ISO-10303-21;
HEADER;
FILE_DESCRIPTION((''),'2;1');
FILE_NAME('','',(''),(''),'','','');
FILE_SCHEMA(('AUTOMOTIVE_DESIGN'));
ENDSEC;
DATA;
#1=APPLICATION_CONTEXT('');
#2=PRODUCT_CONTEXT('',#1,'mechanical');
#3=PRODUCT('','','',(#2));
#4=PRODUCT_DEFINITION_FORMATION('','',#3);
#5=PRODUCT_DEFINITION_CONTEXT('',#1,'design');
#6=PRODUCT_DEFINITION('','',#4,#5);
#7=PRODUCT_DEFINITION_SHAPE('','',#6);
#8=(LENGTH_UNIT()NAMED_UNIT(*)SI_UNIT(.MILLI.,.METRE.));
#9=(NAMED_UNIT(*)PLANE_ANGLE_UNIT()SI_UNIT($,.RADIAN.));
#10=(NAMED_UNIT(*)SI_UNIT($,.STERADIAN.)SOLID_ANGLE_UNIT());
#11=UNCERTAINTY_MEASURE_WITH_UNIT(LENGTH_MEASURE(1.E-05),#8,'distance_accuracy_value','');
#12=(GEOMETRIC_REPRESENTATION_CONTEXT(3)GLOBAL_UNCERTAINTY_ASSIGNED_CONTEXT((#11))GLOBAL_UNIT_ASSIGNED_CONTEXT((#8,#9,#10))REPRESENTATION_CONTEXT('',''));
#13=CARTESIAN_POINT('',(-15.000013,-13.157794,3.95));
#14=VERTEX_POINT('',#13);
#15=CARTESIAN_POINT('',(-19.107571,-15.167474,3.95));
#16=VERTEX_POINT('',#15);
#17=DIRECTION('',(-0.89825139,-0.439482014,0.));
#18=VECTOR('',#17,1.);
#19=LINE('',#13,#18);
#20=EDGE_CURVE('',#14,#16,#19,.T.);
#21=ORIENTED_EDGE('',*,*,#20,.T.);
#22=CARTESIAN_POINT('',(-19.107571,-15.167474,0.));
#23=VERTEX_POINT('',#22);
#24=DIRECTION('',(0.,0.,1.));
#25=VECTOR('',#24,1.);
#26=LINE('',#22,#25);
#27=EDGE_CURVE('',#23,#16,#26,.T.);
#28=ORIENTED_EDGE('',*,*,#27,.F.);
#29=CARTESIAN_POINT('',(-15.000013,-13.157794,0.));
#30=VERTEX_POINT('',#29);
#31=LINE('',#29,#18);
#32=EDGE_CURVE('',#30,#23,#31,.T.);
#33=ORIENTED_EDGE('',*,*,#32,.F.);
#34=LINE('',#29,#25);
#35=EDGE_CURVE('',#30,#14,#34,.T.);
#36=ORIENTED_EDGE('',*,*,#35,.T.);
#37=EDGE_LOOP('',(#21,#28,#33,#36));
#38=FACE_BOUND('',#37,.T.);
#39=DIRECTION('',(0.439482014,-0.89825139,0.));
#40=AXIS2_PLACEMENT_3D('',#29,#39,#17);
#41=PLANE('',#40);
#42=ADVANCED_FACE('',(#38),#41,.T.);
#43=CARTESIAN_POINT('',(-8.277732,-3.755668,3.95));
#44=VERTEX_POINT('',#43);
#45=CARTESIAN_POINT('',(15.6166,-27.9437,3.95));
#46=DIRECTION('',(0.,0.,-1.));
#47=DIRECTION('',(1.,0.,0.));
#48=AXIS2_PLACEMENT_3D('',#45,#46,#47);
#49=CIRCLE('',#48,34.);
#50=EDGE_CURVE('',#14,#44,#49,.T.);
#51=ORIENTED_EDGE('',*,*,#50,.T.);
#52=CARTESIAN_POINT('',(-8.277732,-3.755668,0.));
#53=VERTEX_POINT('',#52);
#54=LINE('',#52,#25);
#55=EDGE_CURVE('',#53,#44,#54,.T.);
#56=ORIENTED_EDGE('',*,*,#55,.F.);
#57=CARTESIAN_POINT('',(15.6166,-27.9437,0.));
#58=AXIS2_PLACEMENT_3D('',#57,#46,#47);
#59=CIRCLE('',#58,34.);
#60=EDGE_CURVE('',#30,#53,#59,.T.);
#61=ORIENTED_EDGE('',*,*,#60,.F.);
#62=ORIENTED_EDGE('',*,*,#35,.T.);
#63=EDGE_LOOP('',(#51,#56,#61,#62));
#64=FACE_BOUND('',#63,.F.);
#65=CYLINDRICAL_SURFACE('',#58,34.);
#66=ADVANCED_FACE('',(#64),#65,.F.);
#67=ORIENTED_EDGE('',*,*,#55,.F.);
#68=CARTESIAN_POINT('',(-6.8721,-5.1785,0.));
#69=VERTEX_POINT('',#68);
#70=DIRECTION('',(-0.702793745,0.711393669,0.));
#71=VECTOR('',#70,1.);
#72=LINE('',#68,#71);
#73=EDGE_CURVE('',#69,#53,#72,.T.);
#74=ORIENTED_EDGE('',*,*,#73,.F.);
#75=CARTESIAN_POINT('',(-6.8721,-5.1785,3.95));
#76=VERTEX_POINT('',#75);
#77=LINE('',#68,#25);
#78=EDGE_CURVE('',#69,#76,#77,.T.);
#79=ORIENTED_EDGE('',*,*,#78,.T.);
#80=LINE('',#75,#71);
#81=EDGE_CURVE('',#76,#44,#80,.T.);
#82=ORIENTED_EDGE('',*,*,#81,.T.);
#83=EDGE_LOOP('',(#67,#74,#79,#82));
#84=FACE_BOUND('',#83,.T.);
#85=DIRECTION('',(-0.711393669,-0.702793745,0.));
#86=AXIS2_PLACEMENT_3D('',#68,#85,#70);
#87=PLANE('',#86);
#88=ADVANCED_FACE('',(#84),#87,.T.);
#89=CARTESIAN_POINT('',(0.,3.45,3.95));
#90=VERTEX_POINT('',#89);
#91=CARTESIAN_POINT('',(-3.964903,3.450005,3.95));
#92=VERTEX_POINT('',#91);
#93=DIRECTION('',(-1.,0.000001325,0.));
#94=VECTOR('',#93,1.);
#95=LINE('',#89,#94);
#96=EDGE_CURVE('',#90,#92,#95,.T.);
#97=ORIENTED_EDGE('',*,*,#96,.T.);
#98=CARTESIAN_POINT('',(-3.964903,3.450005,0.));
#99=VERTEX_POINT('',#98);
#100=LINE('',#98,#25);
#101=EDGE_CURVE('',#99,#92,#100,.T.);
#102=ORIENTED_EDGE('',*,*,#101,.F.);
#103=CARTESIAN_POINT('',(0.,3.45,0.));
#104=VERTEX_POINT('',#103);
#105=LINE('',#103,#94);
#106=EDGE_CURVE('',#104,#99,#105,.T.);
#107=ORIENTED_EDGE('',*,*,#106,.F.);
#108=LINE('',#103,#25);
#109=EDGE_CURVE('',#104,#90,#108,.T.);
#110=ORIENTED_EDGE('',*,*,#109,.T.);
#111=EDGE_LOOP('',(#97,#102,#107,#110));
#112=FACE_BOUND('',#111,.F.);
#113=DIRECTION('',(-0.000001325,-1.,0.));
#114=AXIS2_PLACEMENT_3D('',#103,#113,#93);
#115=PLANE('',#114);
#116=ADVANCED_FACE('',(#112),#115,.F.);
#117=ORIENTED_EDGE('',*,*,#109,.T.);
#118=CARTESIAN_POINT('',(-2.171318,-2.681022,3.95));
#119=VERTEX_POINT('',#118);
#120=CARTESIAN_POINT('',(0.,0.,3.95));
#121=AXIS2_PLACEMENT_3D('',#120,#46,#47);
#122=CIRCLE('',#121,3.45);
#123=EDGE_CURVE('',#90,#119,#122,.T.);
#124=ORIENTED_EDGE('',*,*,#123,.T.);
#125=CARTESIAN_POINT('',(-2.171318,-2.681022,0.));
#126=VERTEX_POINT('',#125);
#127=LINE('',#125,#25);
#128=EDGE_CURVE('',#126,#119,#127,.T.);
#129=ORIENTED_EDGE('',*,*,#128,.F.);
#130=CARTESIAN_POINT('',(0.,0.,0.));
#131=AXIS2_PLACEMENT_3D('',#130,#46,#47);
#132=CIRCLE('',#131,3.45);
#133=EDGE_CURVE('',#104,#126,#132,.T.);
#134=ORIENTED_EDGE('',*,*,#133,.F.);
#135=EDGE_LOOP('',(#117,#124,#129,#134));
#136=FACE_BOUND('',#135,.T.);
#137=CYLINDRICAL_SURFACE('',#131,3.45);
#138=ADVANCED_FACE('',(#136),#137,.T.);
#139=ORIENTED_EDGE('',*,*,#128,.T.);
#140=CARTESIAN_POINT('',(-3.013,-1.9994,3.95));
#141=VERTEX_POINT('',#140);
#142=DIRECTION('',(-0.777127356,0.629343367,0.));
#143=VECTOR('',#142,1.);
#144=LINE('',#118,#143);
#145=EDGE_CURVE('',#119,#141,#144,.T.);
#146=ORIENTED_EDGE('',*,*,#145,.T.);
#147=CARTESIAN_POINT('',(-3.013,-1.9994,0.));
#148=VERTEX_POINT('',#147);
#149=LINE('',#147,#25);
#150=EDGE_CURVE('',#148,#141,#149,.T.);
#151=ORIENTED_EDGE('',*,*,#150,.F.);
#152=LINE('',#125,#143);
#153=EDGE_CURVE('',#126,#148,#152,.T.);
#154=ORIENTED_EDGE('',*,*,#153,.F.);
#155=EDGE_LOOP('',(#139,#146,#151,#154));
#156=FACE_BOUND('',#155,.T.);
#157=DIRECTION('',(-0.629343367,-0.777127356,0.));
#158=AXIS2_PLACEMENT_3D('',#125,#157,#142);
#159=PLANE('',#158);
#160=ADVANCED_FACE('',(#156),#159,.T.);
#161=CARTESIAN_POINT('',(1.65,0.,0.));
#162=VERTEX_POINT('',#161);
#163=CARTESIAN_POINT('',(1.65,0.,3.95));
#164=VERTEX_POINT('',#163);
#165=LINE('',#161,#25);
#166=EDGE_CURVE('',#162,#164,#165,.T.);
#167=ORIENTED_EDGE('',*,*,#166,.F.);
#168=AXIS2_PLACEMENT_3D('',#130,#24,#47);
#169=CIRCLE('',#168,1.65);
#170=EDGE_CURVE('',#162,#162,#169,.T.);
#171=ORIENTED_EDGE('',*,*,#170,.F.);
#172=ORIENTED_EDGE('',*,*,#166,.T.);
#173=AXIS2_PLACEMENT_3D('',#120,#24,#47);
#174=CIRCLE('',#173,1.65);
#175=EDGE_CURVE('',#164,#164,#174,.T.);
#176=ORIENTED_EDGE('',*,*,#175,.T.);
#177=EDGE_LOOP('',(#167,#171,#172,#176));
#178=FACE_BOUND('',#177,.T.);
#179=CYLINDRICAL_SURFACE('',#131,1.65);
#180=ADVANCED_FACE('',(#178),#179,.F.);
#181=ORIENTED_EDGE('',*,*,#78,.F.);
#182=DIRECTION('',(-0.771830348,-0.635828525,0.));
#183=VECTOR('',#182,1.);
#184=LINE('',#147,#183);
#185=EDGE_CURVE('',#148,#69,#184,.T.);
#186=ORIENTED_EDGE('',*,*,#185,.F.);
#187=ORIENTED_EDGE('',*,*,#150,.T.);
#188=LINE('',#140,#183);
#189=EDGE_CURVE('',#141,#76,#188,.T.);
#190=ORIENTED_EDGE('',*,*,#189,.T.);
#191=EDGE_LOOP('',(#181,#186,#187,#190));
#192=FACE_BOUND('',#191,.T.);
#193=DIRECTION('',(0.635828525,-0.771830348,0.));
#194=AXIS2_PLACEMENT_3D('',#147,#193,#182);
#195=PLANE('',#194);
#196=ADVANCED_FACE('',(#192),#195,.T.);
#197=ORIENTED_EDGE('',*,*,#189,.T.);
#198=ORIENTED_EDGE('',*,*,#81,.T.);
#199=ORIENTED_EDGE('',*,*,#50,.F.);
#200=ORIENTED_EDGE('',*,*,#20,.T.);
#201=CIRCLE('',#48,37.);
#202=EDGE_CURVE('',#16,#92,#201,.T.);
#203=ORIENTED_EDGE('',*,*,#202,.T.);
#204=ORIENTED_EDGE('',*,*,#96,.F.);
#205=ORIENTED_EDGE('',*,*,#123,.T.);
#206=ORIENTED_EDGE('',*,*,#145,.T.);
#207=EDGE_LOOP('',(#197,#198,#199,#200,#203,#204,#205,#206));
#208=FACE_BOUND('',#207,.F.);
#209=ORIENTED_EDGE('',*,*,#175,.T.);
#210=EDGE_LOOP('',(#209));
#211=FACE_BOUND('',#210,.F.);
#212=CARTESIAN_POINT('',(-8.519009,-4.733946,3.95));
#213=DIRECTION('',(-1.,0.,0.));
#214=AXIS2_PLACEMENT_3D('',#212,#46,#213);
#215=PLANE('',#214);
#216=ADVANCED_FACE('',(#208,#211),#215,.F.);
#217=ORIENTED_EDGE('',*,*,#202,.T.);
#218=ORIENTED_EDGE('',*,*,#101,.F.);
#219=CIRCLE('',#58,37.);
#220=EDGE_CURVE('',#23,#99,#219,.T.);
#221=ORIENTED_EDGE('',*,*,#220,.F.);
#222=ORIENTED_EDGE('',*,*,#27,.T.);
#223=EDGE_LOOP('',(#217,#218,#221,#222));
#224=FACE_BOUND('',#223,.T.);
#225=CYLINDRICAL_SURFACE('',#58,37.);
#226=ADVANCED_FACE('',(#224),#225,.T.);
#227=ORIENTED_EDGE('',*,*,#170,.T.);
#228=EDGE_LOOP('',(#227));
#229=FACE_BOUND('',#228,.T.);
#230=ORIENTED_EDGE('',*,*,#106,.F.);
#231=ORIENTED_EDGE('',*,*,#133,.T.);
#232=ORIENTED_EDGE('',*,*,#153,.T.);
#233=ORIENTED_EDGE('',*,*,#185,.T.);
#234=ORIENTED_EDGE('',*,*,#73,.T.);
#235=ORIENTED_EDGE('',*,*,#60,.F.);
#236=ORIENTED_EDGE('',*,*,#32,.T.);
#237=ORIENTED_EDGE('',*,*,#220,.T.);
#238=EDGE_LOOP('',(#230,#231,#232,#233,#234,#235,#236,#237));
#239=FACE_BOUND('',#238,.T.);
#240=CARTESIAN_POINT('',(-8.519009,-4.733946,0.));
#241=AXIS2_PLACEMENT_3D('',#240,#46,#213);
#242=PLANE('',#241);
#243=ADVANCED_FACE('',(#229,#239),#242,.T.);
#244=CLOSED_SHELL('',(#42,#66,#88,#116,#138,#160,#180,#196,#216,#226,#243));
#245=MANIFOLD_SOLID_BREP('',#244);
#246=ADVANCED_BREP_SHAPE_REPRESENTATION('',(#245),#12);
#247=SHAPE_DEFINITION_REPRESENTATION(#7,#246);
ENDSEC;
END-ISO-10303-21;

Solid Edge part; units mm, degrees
sketch "Sketch1" plane through (0, 0, 0) normal (0, 0, 1) x (1, 0, 0)
  line L0 (-2.1713, -2.681) -> (-3.013, -1.9994)
  line L1 (-3.013, -1.9994) -> (-6.8721, -5.1785)
  line L2 (-6.8721, -5.1785) -> (-8.2777, -3.7557)
  line L3 (-15, -13.1578) -> (-19.1075, -15.1675)
  line L4 (0, 3.45) -> (-3.9649, 3.45)
  arc A0 (0, 3.45) -> (-2.1713, -2.681) centre (0, 0) cw
  arc A1 (-15, -13.1578) -> (-8.2777, -3.7557) centre (15.6166, -27.9437) cw
  arc A2 (-19.1076, -15.1675) -> (-3.9649, 3.45) centre (15.6166, -27.9437) cw
  circle A3 centre (0, 0) radius 1.65
extrude "Protrusion1" add sketch "Sketch1" along normal blind 3.95
